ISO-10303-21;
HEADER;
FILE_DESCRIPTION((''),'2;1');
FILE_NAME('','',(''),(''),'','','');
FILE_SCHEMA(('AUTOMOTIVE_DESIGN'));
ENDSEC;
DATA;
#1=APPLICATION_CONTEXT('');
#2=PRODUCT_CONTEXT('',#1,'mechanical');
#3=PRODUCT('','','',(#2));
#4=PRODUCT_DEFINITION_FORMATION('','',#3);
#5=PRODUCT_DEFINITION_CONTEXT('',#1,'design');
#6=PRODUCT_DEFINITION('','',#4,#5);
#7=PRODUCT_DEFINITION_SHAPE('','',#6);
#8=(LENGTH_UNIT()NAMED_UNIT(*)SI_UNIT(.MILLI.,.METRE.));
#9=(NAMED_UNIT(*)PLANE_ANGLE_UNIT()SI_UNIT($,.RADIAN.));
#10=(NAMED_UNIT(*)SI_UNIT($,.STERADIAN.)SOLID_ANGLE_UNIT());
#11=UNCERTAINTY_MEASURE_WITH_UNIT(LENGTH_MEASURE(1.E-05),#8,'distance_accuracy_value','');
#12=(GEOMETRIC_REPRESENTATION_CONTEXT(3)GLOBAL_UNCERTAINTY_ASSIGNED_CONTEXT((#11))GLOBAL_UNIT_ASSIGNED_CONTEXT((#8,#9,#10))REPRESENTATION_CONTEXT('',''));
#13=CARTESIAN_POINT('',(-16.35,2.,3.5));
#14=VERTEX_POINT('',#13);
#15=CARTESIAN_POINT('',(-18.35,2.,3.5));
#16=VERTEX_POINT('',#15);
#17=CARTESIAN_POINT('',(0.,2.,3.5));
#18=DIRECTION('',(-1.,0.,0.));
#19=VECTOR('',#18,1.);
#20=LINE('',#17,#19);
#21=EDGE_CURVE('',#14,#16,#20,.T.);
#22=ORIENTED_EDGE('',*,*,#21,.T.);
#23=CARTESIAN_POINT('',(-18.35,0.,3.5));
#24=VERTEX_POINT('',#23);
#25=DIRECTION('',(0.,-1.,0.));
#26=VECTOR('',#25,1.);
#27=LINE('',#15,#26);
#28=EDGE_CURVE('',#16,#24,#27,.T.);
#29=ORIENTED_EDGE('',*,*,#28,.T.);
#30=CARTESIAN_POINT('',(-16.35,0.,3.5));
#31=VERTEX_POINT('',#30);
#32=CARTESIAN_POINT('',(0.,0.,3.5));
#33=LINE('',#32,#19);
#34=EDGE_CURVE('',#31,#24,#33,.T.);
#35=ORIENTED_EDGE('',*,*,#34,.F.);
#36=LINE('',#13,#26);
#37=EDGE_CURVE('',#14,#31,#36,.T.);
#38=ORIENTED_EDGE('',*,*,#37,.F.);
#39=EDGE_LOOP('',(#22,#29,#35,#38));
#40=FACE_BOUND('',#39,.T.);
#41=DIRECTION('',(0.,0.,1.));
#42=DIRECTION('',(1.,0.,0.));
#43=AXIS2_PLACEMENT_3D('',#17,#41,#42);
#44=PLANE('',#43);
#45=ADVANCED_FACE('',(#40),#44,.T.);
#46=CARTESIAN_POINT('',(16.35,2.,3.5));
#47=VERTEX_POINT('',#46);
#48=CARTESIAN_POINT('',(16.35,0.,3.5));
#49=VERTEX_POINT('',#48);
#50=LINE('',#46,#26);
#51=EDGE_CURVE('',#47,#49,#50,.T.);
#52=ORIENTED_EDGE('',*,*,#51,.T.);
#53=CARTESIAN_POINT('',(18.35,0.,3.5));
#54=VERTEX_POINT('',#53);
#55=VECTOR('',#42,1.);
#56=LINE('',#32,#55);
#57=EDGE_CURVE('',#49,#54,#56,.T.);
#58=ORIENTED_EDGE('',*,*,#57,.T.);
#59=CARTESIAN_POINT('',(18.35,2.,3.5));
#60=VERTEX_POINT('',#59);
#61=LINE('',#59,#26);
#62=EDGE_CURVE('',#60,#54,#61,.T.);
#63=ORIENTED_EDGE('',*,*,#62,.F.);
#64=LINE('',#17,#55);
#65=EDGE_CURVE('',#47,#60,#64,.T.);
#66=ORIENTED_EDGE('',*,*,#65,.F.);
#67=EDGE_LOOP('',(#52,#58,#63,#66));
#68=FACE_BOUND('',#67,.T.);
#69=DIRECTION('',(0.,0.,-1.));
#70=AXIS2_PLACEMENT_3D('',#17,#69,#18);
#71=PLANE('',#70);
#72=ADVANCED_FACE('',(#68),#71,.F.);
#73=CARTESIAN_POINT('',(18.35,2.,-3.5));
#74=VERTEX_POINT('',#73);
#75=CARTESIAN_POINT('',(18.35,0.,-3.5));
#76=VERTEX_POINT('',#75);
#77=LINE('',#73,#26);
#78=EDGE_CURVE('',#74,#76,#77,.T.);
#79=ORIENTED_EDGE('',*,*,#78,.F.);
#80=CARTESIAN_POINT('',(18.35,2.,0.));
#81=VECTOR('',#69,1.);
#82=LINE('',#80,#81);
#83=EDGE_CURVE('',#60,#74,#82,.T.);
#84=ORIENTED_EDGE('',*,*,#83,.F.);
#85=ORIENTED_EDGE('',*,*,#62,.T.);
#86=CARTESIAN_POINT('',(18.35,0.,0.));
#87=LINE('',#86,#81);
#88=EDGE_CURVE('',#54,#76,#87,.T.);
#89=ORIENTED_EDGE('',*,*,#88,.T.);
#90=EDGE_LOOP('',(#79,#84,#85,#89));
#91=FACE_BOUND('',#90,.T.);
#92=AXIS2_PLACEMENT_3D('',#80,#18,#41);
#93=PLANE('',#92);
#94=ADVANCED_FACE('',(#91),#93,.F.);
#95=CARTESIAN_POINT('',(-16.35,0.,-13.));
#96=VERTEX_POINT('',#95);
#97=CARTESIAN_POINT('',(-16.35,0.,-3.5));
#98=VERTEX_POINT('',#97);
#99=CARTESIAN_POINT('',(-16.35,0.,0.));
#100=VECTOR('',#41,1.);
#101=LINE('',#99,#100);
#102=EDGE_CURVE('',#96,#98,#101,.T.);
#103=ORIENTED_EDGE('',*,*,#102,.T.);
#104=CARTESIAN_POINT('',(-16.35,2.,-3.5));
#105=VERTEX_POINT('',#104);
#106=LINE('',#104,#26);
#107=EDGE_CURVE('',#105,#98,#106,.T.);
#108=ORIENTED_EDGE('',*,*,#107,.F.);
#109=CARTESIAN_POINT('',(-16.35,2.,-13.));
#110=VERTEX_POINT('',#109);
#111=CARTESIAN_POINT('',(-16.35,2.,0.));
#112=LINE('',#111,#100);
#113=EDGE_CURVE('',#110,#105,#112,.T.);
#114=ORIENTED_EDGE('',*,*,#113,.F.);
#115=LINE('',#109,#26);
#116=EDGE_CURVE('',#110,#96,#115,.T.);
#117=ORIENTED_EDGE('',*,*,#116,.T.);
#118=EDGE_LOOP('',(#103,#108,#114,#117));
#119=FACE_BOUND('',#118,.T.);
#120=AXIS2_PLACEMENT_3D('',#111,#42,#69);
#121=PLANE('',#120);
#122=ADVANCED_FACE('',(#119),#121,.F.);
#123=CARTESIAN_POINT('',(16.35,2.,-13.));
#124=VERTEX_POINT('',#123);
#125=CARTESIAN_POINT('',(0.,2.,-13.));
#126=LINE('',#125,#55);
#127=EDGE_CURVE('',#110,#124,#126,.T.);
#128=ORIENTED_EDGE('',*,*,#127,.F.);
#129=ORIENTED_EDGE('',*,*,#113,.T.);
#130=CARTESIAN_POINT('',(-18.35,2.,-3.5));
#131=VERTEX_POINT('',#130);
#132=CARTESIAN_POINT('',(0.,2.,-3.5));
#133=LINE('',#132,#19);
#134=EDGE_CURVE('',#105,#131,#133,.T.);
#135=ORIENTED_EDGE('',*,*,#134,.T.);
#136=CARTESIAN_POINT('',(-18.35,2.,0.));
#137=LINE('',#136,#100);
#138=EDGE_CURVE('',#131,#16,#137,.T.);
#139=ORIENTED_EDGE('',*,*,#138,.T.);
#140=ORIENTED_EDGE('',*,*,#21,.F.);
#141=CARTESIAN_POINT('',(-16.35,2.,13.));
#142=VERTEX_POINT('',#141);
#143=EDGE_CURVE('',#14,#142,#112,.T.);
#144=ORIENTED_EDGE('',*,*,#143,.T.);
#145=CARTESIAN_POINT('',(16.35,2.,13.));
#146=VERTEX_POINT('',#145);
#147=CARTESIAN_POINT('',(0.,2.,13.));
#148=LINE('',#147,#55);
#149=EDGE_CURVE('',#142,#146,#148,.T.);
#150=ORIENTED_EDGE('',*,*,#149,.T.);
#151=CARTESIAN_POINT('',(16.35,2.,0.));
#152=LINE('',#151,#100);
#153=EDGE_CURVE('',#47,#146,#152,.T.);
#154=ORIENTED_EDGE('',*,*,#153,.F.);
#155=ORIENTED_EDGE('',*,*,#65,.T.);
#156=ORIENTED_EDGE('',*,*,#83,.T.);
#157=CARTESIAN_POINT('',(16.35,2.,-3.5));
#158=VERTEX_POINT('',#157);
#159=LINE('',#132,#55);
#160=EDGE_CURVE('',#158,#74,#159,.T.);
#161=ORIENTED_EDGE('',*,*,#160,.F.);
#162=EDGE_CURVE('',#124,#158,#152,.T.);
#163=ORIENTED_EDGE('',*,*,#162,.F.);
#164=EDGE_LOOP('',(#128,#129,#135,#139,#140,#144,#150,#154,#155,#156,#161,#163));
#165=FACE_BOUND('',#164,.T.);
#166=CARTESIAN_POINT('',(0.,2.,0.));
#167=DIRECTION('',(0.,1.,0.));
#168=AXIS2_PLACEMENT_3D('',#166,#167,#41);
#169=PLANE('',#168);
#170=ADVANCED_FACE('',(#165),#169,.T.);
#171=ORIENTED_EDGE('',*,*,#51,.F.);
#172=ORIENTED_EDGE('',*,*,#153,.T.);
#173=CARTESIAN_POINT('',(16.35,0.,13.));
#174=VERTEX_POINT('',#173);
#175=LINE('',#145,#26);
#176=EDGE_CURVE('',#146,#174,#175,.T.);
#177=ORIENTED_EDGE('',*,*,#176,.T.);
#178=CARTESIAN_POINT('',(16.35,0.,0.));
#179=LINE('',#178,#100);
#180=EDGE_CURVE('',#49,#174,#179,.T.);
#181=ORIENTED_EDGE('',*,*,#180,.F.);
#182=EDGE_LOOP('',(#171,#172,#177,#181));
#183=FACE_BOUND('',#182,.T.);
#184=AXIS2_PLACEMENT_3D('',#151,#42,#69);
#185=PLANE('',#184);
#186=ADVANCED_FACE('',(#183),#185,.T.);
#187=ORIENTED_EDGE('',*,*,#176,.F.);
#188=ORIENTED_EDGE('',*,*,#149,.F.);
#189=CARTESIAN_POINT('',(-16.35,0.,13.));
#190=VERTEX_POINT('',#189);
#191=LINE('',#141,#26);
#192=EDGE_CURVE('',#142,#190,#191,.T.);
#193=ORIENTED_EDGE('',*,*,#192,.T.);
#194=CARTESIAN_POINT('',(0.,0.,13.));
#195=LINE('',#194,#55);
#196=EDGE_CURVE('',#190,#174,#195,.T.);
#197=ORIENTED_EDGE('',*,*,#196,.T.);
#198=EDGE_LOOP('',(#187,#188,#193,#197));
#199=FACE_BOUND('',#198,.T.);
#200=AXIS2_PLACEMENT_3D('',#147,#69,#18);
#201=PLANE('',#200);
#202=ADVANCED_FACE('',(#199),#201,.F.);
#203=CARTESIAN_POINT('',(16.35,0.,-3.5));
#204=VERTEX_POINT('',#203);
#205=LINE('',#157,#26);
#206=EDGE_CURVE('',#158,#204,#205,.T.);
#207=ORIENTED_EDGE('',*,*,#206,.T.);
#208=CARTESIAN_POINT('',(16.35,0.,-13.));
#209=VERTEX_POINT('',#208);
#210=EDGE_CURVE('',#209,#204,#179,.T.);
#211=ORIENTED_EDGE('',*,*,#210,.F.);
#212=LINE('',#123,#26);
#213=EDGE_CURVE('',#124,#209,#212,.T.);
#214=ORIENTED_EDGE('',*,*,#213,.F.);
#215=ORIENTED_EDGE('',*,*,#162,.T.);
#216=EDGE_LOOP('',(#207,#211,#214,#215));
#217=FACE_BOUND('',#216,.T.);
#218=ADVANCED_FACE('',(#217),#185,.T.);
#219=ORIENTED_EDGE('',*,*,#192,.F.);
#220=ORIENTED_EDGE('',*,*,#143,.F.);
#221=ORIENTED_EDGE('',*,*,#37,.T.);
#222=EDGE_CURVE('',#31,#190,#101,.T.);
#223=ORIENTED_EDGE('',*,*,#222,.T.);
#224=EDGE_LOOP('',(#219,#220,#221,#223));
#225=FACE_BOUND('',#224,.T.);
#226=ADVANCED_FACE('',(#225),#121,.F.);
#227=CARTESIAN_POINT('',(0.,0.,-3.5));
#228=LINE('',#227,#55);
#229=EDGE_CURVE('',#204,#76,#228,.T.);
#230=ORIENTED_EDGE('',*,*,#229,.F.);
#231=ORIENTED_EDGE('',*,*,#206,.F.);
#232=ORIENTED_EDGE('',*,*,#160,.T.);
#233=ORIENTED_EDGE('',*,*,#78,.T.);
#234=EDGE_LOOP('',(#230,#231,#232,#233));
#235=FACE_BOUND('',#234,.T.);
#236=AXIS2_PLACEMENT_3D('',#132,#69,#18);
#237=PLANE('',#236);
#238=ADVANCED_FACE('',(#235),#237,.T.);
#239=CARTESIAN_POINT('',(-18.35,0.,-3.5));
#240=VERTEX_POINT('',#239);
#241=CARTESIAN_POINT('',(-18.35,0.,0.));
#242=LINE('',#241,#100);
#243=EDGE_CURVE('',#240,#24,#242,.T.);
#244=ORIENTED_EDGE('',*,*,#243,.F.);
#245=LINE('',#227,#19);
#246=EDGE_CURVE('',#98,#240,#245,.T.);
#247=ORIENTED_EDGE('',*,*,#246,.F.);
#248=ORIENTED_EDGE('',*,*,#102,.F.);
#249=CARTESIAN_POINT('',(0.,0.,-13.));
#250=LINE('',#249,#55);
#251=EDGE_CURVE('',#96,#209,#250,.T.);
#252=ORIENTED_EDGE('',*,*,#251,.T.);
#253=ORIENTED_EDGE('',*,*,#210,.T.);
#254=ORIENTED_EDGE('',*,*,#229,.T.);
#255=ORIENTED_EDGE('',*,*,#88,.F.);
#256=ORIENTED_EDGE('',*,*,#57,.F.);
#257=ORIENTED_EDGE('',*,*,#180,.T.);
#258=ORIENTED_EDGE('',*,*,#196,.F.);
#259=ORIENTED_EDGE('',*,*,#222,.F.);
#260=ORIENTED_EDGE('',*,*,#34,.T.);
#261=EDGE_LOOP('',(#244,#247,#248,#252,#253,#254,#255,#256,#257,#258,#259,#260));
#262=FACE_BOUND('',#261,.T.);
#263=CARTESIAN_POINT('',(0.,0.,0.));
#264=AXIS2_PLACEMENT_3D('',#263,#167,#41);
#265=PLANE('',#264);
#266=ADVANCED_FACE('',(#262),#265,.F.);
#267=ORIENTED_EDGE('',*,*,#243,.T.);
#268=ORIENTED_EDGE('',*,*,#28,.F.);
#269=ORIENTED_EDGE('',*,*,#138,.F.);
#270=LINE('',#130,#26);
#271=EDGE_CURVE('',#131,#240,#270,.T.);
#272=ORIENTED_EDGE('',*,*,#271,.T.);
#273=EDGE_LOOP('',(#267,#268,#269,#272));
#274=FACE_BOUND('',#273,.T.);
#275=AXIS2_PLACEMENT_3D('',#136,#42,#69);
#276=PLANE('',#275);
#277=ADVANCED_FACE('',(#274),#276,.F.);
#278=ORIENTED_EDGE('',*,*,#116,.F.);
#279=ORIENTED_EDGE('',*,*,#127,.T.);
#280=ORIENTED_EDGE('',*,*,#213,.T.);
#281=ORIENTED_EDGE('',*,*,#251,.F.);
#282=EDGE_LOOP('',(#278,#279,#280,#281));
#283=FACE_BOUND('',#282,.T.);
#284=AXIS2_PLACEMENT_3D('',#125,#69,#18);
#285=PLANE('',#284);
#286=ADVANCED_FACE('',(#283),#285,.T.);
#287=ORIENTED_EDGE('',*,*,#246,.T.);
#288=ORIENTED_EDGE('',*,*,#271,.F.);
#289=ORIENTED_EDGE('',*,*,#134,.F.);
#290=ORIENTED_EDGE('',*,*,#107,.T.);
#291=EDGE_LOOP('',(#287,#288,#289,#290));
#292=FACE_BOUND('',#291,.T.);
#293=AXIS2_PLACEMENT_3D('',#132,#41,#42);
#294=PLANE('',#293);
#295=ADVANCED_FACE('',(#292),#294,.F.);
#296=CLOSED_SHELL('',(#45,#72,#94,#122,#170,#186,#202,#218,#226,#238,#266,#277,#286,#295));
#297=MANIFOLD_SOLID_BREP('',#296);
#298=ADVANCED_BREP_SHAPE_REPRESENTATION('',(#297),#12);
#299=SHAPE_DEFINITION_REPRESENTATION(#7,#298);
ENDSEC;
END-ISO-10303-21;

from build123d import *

# Parameters (mm, degrees)
SKETCH1_W           = 32.7
SKETCH1_H           = 26
SKETCH1_W_2         = 2
SKETCH1_H_2         = 7
BOSS_EXTRUDE1_DEPTH = 2


with BuildPart() as part:
    # Sketch1 → Boss-Extrude1 (new body)
    with BuildSketch(Plane(origin=(0, 0, 0), x_dir=(1, 0, 0), z_dir=(0, 1, 0))):
        Rectangle(SKETCH1_W, SKETCH1_H)
        with Locations((-17.35, 0)):
            Rectangle(SKETCH1_W_2, SKETCH1_H_2)
        with Locations((17.35, 0)):
            Rectangle(SKETCH1_W_2, SKETCH1_H_2)
    extrude(amount=BOSS_EXTRUDE1_DEPTH)


solid = part.part
